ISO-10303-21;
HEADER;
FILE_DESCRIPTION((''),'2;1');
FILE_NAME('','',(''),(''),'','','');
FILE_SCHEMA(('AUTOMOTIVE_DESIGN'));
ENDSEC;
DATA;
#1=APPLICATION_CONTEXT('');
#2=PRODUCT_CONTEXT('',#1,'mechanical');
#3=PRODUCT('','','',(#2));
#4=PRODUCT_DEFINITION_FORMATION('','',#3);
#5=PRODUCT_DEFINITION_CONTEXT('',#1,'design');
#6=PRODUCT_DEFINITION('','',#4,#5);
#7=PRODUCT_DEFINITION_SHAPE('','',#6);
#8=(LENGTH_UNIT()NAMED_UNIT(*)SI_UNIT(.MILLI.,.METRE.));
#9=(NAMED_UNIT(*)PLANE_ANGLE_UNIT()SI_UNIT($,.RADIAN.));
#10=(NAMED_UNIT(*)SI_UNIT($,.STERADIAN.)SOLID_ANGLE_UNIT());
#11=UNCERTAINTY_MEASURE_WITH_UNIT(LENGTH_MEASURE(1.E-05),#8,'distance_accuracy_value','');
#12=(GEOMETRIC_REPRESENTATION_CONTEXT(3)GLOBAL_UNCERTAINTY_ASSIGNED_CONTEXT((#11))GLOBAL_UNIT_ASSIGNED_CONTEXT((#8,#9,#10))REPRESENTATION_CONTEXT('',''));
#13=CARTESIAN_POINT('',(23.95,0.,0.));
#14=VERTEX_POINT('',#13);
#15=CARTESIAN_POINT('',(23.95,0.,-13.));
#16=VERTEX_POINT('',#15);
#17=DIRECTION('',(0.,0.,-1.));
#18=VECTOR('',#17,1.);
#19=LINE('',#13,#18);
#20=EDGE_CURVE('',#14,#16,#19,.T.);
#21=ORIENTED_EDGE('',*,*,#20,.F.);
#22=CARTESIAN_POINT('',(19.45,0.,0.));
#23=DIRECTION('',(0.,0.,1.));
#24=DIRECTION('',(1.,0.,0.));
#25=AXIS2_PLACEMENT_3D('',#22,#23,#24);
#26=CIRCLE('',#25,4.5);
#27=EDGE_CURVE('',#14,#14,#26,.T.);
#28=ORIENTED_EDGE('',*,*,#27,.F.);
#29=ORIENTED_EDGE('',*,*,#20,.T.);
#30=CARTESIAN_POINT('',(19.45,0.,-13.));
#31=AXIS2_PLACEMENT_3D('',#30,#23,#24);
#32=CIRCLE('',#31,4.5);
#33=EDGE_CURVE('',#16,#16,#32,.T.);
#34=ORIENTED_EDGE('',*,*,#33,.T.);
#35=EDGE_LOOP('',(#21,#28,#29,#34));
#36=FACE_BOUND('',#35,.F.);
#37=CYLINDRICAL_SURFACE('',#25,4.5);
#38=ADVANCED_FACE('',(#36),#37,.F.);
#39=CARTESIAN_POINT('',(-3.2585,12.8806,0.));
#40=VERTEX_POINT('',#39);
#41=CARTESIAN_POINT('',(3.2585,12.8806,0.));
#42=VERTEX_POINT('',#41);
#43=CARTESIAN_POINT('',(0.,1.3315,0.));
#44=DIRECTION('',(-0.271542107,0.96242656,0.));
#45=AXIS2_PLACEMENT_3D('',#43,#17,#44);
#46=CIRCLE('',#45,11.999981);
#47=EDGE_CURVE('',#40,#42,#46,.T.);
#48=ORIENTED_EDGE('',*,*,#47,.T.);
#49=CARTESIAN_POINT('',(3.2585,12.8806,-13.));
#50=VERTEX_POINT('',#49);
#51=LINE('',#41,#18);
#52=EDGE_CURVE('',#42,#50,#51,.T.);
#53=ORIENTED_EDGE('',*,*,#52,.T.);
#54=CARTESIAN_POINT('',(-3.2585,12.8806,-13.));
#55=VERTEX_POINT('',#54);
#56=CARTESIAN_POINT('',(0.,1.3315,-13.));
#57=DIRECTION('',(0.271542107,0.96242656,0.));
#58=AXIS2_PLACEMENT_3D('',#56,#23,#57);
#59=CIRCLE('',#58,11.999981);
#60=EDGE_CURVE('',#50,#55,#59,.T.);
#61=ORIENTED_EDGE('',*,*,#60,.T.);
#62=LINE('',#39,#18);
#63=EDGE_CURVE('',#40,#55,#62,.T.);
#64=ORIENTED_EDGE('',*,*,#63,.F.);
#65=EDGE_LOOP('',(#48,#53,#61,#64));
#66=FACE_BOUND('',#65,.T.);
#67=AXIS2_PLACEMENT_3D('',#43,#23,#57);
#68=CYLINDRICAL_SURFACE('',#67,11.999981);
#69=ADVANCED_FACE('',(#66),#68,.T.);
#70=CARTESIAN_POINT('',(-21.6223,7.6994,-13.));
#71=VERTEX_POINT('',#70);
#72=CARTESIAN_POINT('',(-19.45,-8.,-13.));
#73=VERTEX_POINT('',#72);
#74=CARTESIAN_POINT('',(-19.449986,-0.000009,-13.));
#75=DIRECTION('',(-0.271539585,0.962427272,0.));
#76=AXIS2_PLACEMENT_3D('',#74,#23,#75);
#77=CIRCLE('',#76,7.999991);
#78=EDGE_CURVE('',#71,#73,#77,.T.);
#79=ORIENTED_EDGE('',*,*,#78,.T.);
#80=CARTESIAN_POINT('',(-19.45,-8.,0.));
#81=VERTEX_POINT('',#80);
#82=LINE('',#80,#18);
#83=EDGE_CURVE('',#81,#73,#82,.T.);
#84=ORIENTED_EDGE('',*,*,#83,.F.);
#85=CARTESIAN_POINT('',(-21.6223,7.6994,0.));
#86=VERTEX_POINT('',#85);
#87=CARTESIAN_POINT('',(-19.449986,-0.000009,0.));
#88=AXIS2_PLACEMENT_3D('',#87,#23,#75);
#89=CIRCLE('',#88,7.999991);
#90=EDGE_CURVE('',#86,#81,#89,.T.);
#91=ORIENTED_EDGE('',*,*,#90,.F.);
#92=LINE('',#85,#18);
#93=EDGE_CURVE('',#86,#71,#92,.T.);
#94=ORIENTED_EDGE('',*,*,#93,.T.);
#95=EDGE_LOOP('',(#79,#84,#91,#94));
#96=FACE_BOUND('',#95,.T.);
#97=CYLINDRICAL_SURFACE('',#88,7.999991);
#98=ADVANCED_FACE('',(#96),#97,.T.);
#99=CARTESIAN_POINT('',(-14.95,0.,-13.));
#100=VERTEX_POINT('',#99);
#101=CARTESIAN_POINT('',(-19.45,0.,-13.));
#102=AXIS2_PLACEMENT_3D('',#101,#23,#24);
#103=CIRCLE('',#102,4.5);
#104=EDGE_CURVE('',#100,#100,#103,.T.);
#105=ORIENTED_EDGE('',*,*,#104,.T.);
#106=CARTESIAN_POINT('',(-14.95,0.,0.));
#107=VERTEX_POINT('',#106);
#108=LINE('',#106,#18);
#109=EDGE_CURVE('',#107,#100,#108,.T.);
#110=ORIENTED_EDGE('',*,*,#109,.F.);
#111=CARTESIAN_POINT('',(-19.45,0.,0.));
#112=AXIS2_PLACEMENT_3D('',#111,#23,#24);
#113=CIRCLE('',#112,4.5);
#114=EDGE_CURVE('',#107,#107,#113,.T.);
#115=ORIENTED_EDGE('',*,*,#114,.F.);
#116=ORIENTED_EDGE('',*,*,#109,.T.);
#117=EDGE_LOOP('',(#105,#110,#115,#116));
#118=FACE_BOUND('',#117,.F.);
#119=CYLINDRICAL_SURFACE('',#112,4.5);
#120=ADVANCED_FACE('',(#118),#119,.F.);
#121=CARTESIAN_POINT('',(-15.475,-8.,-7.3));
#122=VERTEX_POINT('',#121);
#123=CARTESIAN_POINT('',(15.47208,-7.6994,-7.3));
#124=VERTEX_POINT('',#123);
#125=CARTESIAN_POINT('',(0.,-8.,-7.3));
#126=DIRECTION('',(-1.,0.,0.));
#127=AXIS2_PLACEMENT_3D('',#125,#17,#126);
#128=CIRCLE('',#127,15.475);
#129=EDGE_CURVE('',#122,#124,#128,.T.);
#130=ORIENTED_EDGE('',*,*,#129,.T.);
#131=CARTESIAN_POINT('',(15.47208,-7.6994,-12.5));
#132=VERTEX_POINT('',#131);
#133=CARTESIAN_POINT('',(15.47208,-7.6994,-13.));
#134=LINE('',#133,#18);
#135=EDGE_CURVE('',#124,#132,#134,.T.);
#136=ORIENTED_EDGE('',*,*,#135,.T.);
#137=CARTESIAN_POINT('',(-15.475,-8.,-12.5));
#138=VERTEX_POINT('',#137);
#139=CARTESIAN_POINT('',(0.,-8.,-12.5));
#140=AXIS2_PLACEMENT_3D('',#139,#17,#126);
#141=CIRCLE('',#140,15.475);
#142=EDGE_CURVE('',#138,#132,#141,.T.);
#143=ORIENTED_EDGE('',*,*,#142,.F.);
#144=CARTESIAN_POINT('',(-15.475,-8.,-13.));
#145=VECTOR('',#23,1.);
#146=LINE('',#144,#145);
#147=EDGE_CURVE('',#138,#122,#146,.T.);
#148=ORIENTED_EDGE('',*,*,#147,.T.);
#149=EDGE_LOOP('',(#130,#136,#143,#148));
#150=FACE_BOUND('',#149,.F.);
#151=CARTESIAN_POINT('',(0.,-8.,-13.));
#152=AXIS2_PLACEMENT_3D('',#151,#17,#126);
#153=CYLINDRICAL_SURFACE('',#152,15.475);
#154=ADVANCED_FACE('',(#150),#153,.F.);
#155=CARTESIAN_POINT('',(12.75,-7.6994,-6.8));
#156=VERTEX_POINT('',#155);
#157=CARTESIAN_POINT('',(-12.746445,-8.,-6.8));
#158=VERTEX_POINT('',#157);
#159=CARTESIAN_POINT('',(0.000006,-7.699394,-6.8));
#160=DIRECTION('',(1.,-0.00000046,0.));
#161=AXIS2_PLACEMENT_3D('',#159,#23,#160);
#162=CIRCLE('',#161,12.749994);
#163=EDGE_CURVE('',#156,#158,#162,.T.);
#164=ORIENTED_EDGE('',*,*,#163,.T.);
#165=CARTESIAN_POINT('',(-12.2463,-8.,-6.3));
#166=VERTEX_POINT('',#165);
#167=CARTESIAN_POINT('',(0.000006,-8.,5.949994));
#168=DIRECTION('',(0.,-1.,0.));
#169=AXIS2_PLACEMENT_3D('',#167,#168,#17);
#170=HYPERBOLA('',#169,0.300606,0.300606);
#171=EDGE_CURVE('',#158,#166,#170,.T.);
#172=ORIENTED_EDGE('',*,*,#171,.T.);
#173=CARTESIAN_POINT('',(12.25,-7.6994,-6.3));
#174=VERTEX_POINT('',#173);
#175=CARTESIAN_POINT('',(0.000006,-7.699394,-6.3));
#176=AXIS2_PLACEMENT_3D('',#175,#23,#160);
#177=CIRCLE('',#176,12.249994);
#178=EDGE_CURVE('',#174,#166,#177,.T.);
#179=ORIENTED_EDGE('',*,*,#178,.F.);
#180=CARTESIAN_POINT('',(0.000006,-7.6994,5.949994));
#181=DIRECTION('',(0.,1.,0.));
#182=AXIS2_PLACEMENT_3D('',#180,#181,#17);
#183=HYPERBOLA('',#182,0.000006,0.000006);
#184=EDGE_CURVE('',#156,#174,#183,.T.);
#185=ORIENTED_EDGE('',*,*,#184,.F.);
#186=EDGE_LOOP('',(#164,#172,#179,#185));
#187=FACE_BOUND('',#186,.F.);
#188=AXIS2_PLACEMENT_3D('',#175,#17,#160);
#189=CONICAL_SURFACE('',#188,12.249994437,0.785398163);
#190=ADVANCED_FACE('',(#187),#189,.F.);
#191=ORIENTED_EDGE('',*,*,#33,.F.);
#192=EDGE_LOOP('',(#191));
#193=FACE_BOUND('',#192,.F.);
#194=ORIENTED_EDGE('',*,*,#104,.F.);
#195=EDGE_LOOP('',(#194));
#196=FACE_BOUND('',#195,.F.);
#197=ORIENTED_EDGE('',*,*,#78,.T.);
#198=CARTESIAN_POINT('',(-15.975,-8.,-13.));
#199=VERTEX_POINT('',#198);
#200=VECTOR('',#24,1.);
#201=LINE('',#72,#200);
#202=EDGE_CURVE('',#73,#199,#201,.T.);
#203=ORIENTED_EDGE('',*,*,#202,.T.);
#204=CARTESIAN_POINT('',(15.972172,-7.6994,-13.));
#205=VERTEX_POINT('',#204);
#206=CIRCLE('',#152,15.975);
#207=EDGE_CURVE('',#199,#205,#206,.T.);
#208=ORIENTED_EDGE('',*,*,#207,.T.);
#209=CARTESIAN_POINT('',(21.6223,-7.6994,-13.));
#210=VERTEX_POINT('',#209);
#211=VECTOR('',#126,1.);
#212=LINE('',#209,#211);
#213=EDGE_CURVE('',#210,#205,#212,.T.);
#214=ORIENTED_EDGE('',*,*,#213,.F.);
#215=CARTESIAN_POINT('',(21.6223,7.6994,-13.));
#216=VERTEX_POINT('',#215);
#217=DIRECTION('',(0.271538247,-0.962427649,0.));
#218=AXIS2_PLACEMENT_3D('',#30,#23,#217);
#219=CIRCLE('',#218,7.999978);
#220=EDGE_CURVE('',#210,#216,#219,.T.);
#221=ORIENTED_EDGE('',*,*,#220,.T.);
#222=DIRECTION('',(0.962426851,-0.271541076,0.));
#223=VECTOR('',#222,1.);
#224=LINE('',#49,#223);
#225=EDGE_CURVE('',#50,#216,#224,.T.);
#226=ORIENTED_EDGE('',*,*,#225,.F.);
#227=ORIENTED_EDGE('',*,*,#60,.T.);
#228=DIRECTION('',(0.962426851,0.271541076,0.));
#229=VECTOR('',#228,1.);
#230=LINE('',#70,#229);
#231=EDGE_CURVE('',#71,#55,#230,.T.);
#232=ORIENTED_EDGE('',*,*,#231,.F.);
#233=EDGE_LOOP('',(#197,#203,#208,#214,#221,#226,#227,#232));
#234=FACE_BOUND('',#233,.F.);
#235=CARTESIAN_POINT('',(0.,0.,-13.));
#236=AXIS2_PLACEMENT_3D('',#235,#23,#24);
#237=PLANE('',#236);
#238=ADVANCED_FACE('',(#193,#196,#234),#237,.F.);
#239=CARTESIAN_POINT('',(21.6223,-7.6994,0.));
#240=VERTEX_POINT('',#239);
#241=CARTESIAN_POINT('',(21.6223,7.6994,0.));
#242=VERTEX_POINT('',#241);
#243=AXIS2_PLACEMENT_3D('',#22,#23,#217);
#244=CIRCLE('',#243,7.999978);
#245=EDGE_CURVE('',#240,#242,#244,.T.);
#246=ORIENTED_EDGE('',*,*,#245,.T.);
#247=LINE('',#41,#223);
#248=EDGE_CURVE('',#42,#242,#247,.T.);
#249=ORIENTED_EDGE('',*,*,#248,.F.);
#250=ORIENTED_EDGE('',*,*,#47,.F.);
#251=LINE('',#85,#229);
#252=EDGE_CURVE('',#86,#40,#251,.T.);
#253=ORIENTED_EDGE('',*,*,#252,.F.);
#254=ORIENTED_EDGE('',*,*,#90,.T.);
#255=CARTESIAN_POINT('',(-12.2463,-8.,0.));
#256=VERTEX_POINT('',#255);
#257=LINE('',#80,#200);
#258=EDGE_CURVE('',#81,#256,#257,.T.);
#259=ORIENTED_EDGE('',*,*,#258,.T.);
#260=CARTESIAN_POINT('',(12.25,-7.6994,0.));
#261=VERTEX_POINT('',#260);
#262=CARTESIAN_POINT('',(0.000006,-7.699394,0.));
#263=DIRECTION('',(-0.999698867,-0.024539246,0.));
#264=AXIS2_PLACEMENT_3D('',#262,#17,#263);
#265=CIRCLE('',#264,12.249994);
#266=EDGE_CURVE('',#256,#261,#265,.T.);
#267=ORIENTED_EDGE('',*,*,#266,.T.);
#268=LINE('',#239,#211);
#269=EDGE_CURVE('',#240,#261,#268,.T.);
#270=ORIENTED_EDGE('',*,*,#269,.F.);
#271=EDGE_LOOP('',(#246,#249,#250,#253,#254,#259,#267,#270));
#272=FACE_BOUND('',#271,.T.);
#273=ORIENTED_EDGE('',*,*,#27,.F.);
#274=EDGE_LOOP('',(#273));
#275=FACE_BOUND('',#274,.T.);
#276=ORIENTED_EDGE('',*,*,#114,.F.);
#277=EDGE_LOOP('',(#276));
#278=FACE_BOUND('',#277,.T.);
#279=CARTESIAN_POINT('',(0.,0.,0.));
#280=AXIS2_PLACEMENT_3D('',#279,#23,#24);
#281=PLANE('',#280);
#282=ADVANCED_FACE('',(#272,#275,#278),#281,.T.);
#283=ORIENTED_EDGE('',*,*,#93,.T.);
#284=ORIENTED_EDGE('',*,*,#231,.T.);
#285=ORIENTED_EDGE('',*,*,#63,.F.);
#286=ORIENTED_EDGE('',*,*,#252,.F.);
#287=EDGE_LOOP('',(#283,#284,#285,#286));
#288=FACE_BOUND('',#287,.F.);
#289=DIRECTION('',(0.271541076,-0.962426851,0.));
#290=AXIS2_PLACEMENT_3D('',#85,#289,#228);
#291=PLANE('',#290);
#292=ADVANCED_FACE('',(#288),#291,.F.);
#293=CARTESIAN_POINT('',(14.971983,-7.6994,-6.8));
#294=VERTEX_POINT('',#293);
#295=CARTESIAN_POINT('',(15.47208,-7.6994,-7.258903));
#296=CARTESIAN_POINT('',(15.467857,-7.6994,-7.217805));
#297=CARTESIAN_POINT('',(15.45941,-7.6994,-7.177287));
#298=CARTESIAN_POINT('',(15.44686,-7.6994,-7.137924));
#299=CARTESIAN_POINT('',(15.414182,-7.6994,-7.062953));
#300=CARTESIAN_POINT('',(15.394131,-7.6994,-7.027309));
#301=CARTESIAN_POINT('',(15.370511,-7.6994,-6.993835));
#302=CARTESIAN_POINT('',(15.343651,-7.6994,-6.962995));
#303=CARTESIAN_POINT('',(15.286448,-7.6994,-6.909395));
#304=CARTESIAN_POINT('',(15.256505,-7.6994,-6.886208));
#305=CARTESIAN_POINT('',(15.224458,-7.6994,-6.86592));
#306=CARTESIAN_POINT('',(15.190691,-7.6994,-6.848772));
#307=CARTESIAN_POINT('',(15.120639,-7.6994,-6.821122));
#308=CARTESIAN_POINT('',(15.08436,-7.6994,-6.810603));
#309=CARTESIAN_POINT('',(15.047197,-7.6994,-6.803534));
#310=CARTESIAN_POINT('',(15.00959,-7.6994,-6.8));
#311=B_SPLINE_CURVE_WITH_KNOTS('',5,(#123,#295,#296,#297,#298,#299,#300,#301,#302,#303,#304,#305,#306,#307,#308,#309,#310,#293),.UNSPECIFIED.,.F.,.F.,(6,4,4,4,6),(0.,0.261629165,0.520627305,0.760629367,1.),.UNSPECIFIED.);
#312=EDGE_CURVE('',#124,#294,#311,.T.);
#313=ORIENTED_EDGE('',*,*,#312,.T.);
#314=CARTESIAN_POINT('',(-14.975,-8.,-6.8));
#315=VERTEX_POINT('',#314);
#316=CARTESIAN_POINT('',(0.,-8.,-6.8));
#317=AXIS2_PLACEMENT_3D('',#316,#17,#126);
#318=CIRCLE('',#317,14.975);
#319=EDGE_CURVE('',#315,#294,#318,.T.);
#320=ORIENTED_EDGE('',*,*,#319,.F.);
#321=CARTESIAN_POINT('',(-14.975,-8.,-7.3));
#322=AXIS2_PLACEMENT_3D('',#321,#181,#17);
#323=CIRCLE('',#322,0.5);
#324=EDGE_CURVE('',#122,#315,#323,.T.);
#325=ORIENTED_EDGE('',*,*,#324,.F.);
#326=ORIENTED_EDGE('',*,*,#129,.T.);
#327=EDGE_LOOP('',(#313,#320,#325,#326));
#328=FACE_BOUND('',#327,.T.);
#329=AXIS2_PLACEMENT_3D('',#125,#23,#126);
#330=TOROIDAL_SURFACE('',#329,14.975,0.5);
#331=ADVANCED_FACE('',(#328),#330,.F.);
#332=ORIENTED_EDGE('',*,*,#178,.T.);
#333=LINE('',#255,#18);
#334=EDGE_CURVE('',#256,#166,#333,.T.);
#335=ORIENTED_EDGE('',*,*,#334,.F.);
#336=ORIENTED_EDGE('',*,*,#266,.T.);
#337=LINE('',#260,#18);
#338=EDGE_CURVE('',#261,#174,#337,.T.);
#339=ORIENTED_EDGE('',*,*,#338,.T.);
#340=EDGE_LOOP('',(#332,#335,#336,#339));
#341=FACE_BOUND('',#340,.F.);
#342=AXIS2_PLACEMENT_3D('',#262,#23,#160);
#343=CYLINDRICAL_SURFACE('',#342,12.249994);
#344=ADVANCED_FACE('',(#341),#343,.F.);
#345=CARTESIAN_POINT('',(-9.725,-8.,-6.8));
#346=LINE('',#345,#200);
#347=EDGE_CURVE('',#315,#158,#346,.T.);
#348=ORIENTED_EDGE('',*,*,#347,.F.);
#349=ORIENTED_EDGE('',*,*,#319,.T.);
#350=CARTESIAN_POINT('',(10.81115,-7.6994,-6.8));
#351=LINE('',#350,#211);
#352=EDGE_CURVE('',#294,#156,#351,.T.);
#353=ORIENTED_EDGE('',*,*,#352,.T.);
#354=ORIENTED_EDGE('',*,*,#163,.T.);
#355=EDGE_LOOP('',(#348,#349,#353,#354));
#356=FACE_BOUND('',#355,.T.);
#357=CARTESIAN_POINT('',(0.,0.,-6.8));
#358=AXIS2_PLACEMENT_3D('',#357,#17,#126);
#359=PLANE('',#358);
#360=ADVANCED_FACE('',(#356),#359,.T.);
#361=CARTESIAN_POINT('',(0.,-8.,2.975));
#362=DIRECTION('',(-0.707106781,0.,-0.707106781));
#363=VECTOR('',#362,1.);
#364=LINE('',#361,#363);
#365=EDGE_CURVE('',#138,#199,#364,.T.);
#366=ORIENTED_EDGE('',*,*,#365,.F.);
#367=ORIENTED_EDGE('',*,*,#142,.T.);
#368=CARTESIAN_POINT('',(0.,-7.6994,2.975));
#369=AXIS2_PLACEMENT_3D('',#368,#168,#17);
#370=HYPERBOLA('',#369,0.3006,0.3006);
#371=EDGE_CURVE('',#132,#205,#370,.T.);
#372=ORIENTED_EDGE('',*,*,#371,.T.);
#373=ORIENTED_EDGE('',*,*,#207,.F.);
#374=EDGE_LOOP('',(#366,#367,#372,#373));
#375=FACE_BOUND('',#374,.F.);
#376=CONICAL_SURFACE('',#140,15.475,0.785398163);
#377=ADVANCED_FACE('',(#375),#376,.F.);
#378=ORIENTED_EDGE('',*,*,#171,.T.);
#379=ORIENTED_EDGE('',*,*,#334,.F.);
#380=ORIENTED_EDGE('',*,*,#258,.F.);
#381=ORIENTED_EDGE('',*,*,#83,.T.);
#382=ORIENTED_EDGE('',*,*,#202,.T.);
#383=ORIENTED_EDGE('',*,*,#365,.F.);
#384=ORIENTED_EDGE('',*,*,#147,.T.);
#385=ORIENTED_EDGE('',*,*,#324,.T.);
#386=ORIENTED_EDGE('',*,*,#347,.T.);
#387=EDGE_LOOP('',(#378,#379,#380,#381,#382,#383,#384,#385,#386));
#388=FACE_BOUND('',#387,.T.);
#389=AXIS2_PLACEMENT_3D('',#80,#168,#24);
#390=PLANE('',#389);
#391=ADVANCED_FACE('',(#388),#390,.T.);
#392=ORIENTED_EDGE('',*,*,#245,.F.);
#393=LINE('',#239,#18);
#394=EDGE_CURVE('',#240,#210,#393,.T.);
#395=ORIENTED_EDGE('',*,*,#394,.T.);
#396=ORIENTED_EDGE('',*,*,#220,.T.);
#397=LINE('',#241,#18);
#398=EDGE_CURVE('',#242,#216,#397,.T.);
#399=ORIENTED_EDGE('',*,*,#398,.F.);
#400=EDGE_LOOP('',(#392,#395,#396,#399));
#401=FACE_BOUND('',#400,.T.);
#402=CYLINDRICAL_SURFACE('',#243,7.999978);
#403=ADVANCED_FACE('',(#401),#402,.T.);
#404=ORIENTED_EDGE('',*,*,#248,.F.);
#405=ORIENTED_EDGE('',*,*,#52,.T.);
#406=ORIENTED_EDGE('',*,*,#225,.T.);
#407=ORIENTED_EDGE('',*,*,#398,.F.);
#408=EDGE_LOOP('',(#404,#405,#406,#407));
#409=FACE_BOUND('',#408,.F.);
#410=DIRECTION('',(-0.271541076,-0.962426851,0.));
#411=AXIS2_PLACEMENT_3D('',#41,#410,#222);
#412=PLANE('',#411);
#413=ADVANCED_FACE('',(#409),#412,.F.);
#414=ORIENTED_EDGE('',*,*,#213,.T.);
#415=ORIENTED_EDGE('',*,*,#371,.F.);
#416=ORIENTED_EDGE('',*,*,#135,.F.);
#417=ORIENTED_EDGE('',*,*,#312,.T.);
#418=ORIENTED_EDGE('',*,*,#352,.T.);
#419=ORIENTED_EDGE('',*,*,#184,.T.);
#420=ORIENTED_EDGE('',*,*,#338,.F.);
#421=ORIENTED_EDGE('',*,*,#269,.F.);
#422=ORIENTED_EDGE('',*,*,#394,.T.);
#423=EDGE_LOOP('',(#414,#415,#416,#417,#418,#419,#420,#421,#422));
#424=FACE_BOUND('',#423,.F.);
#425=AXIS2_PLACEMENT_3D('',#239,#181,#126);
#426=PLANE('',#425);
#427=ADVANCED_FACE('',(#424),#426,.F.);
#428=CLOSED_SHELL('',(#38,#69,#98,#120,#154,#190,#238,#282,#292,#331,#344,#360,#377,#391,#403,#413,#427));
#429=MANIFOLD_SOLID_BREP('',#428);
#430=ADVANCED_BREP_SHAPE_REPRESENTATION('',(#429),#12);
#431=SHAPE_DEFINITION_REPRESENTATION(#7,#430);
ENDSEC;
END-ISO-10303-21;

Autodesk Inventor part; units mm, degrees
ref_plane "YZ Plane" through (0, 0, 0) normal (1, 0, 0) x (0, 1, 0)
ref_plane "XZ Plane" through (0, 0, 0) normal (0, 1, 0) x (-1, 0, 0)
ref_plane "XY Plane" through (0, 0, 0) normal (0, 0, 1) x (1, 0, 0)
sketch "Эскиз1" plane through (0, 0, 0) normal (0, 0, 1) x (1, 0, 0)
  line L0 (0, 18.7367) -> (0, -24.5413)
  arc A0 (21.6223, -7.6994) -> (21.6223, 7.6994) centre (19.45, 0) ccw
  line L1 (19.45, 0) -> (21.6223, -7.6994) construction
  line L2 (19.45, 0) -> (17.2777, 7.6994) construction
  arc A1 (-21.6223, 7.6994) -> (-19.45, -8) centre (-19.45, 0) ccw
  line L3 (-19.45, 0) -> (-19.45, 7.9959) construction
  line L4 (-19.45, 0) -> (-11.4541, 0) construction
  line L5 (-19.45, 0) -> (-19.45, -8) construction
  arc A2 (12.25, -7.6994) -> (-12.2463, -8) centre (0, -7.6994) ccw
  line L6 (-21.6223, 7.6994) -> (-3.2585, 12.8806)
  line L7 (3.2585, 12.8806) -> (21.6223, 7.6994)
  line L8 (21.6223, -7.6994) -> (12.25, -7.6994)
  line L9 (-19.45, -8) -> (-12.2463, -8)
  circle A3 centre (-19.45, 0) radius 4.5
  circle A4 centre (19.45, 0) radius 4.5
  arc A5 (3.2585, 12.8806) -> (-3.2585, 12.8806) centre (0, 1.3315) ccw
  point P0 (0, 0)
  point P1 (-27.45, 0)
  point P2 (27.45, 0)
  point P3 (0, 13.8)
  dimension "d0" = 8
  dimension "d1" = 180
  dimension "d3" = 8
  dimension "d4" = 90
  dimension "d5" = 180
  dimension "d6" = 24.5
  dimension "d7" = 54.9
  dimension "d9" = 21.8
  dimension "d10" = 9
  dimension "d11" = 9
  dimension "d12" = 12
extrude "Выдавливание1" add sketch "Эскиз1" against normal blind 13
sketch "Эскиз2" plane through (0, 0, -13) normal (0, 0, -1) x (-1, 0, 0)
  circle A0 centre (0, -8) radius 15.475
  point P0 (0, 0)
  point P1 (12.2463, -8)
  dimension "d15" = 30.95
extrude "Выдавливание2" cut sketch "Эскиз2" against normal blind 6.2
fillet "Сопряжение1" radius 0.5 1 edges at (-0.1503, 7.4743, -6.8)
chamfer "Фаска1" distance 0.5 angle 45 1 edges at (-0.1503, 7.4743, -13) measured on face at (-11.2492, 8.421, -13)
chamfer "Фаска2" distance 0.5 angle 45 1 edges at (-0.1503, 4.5497, -6.8) measured on face at (13.8976, -6.5154, -6.8)
properties part number "50073 Полуфланец"
